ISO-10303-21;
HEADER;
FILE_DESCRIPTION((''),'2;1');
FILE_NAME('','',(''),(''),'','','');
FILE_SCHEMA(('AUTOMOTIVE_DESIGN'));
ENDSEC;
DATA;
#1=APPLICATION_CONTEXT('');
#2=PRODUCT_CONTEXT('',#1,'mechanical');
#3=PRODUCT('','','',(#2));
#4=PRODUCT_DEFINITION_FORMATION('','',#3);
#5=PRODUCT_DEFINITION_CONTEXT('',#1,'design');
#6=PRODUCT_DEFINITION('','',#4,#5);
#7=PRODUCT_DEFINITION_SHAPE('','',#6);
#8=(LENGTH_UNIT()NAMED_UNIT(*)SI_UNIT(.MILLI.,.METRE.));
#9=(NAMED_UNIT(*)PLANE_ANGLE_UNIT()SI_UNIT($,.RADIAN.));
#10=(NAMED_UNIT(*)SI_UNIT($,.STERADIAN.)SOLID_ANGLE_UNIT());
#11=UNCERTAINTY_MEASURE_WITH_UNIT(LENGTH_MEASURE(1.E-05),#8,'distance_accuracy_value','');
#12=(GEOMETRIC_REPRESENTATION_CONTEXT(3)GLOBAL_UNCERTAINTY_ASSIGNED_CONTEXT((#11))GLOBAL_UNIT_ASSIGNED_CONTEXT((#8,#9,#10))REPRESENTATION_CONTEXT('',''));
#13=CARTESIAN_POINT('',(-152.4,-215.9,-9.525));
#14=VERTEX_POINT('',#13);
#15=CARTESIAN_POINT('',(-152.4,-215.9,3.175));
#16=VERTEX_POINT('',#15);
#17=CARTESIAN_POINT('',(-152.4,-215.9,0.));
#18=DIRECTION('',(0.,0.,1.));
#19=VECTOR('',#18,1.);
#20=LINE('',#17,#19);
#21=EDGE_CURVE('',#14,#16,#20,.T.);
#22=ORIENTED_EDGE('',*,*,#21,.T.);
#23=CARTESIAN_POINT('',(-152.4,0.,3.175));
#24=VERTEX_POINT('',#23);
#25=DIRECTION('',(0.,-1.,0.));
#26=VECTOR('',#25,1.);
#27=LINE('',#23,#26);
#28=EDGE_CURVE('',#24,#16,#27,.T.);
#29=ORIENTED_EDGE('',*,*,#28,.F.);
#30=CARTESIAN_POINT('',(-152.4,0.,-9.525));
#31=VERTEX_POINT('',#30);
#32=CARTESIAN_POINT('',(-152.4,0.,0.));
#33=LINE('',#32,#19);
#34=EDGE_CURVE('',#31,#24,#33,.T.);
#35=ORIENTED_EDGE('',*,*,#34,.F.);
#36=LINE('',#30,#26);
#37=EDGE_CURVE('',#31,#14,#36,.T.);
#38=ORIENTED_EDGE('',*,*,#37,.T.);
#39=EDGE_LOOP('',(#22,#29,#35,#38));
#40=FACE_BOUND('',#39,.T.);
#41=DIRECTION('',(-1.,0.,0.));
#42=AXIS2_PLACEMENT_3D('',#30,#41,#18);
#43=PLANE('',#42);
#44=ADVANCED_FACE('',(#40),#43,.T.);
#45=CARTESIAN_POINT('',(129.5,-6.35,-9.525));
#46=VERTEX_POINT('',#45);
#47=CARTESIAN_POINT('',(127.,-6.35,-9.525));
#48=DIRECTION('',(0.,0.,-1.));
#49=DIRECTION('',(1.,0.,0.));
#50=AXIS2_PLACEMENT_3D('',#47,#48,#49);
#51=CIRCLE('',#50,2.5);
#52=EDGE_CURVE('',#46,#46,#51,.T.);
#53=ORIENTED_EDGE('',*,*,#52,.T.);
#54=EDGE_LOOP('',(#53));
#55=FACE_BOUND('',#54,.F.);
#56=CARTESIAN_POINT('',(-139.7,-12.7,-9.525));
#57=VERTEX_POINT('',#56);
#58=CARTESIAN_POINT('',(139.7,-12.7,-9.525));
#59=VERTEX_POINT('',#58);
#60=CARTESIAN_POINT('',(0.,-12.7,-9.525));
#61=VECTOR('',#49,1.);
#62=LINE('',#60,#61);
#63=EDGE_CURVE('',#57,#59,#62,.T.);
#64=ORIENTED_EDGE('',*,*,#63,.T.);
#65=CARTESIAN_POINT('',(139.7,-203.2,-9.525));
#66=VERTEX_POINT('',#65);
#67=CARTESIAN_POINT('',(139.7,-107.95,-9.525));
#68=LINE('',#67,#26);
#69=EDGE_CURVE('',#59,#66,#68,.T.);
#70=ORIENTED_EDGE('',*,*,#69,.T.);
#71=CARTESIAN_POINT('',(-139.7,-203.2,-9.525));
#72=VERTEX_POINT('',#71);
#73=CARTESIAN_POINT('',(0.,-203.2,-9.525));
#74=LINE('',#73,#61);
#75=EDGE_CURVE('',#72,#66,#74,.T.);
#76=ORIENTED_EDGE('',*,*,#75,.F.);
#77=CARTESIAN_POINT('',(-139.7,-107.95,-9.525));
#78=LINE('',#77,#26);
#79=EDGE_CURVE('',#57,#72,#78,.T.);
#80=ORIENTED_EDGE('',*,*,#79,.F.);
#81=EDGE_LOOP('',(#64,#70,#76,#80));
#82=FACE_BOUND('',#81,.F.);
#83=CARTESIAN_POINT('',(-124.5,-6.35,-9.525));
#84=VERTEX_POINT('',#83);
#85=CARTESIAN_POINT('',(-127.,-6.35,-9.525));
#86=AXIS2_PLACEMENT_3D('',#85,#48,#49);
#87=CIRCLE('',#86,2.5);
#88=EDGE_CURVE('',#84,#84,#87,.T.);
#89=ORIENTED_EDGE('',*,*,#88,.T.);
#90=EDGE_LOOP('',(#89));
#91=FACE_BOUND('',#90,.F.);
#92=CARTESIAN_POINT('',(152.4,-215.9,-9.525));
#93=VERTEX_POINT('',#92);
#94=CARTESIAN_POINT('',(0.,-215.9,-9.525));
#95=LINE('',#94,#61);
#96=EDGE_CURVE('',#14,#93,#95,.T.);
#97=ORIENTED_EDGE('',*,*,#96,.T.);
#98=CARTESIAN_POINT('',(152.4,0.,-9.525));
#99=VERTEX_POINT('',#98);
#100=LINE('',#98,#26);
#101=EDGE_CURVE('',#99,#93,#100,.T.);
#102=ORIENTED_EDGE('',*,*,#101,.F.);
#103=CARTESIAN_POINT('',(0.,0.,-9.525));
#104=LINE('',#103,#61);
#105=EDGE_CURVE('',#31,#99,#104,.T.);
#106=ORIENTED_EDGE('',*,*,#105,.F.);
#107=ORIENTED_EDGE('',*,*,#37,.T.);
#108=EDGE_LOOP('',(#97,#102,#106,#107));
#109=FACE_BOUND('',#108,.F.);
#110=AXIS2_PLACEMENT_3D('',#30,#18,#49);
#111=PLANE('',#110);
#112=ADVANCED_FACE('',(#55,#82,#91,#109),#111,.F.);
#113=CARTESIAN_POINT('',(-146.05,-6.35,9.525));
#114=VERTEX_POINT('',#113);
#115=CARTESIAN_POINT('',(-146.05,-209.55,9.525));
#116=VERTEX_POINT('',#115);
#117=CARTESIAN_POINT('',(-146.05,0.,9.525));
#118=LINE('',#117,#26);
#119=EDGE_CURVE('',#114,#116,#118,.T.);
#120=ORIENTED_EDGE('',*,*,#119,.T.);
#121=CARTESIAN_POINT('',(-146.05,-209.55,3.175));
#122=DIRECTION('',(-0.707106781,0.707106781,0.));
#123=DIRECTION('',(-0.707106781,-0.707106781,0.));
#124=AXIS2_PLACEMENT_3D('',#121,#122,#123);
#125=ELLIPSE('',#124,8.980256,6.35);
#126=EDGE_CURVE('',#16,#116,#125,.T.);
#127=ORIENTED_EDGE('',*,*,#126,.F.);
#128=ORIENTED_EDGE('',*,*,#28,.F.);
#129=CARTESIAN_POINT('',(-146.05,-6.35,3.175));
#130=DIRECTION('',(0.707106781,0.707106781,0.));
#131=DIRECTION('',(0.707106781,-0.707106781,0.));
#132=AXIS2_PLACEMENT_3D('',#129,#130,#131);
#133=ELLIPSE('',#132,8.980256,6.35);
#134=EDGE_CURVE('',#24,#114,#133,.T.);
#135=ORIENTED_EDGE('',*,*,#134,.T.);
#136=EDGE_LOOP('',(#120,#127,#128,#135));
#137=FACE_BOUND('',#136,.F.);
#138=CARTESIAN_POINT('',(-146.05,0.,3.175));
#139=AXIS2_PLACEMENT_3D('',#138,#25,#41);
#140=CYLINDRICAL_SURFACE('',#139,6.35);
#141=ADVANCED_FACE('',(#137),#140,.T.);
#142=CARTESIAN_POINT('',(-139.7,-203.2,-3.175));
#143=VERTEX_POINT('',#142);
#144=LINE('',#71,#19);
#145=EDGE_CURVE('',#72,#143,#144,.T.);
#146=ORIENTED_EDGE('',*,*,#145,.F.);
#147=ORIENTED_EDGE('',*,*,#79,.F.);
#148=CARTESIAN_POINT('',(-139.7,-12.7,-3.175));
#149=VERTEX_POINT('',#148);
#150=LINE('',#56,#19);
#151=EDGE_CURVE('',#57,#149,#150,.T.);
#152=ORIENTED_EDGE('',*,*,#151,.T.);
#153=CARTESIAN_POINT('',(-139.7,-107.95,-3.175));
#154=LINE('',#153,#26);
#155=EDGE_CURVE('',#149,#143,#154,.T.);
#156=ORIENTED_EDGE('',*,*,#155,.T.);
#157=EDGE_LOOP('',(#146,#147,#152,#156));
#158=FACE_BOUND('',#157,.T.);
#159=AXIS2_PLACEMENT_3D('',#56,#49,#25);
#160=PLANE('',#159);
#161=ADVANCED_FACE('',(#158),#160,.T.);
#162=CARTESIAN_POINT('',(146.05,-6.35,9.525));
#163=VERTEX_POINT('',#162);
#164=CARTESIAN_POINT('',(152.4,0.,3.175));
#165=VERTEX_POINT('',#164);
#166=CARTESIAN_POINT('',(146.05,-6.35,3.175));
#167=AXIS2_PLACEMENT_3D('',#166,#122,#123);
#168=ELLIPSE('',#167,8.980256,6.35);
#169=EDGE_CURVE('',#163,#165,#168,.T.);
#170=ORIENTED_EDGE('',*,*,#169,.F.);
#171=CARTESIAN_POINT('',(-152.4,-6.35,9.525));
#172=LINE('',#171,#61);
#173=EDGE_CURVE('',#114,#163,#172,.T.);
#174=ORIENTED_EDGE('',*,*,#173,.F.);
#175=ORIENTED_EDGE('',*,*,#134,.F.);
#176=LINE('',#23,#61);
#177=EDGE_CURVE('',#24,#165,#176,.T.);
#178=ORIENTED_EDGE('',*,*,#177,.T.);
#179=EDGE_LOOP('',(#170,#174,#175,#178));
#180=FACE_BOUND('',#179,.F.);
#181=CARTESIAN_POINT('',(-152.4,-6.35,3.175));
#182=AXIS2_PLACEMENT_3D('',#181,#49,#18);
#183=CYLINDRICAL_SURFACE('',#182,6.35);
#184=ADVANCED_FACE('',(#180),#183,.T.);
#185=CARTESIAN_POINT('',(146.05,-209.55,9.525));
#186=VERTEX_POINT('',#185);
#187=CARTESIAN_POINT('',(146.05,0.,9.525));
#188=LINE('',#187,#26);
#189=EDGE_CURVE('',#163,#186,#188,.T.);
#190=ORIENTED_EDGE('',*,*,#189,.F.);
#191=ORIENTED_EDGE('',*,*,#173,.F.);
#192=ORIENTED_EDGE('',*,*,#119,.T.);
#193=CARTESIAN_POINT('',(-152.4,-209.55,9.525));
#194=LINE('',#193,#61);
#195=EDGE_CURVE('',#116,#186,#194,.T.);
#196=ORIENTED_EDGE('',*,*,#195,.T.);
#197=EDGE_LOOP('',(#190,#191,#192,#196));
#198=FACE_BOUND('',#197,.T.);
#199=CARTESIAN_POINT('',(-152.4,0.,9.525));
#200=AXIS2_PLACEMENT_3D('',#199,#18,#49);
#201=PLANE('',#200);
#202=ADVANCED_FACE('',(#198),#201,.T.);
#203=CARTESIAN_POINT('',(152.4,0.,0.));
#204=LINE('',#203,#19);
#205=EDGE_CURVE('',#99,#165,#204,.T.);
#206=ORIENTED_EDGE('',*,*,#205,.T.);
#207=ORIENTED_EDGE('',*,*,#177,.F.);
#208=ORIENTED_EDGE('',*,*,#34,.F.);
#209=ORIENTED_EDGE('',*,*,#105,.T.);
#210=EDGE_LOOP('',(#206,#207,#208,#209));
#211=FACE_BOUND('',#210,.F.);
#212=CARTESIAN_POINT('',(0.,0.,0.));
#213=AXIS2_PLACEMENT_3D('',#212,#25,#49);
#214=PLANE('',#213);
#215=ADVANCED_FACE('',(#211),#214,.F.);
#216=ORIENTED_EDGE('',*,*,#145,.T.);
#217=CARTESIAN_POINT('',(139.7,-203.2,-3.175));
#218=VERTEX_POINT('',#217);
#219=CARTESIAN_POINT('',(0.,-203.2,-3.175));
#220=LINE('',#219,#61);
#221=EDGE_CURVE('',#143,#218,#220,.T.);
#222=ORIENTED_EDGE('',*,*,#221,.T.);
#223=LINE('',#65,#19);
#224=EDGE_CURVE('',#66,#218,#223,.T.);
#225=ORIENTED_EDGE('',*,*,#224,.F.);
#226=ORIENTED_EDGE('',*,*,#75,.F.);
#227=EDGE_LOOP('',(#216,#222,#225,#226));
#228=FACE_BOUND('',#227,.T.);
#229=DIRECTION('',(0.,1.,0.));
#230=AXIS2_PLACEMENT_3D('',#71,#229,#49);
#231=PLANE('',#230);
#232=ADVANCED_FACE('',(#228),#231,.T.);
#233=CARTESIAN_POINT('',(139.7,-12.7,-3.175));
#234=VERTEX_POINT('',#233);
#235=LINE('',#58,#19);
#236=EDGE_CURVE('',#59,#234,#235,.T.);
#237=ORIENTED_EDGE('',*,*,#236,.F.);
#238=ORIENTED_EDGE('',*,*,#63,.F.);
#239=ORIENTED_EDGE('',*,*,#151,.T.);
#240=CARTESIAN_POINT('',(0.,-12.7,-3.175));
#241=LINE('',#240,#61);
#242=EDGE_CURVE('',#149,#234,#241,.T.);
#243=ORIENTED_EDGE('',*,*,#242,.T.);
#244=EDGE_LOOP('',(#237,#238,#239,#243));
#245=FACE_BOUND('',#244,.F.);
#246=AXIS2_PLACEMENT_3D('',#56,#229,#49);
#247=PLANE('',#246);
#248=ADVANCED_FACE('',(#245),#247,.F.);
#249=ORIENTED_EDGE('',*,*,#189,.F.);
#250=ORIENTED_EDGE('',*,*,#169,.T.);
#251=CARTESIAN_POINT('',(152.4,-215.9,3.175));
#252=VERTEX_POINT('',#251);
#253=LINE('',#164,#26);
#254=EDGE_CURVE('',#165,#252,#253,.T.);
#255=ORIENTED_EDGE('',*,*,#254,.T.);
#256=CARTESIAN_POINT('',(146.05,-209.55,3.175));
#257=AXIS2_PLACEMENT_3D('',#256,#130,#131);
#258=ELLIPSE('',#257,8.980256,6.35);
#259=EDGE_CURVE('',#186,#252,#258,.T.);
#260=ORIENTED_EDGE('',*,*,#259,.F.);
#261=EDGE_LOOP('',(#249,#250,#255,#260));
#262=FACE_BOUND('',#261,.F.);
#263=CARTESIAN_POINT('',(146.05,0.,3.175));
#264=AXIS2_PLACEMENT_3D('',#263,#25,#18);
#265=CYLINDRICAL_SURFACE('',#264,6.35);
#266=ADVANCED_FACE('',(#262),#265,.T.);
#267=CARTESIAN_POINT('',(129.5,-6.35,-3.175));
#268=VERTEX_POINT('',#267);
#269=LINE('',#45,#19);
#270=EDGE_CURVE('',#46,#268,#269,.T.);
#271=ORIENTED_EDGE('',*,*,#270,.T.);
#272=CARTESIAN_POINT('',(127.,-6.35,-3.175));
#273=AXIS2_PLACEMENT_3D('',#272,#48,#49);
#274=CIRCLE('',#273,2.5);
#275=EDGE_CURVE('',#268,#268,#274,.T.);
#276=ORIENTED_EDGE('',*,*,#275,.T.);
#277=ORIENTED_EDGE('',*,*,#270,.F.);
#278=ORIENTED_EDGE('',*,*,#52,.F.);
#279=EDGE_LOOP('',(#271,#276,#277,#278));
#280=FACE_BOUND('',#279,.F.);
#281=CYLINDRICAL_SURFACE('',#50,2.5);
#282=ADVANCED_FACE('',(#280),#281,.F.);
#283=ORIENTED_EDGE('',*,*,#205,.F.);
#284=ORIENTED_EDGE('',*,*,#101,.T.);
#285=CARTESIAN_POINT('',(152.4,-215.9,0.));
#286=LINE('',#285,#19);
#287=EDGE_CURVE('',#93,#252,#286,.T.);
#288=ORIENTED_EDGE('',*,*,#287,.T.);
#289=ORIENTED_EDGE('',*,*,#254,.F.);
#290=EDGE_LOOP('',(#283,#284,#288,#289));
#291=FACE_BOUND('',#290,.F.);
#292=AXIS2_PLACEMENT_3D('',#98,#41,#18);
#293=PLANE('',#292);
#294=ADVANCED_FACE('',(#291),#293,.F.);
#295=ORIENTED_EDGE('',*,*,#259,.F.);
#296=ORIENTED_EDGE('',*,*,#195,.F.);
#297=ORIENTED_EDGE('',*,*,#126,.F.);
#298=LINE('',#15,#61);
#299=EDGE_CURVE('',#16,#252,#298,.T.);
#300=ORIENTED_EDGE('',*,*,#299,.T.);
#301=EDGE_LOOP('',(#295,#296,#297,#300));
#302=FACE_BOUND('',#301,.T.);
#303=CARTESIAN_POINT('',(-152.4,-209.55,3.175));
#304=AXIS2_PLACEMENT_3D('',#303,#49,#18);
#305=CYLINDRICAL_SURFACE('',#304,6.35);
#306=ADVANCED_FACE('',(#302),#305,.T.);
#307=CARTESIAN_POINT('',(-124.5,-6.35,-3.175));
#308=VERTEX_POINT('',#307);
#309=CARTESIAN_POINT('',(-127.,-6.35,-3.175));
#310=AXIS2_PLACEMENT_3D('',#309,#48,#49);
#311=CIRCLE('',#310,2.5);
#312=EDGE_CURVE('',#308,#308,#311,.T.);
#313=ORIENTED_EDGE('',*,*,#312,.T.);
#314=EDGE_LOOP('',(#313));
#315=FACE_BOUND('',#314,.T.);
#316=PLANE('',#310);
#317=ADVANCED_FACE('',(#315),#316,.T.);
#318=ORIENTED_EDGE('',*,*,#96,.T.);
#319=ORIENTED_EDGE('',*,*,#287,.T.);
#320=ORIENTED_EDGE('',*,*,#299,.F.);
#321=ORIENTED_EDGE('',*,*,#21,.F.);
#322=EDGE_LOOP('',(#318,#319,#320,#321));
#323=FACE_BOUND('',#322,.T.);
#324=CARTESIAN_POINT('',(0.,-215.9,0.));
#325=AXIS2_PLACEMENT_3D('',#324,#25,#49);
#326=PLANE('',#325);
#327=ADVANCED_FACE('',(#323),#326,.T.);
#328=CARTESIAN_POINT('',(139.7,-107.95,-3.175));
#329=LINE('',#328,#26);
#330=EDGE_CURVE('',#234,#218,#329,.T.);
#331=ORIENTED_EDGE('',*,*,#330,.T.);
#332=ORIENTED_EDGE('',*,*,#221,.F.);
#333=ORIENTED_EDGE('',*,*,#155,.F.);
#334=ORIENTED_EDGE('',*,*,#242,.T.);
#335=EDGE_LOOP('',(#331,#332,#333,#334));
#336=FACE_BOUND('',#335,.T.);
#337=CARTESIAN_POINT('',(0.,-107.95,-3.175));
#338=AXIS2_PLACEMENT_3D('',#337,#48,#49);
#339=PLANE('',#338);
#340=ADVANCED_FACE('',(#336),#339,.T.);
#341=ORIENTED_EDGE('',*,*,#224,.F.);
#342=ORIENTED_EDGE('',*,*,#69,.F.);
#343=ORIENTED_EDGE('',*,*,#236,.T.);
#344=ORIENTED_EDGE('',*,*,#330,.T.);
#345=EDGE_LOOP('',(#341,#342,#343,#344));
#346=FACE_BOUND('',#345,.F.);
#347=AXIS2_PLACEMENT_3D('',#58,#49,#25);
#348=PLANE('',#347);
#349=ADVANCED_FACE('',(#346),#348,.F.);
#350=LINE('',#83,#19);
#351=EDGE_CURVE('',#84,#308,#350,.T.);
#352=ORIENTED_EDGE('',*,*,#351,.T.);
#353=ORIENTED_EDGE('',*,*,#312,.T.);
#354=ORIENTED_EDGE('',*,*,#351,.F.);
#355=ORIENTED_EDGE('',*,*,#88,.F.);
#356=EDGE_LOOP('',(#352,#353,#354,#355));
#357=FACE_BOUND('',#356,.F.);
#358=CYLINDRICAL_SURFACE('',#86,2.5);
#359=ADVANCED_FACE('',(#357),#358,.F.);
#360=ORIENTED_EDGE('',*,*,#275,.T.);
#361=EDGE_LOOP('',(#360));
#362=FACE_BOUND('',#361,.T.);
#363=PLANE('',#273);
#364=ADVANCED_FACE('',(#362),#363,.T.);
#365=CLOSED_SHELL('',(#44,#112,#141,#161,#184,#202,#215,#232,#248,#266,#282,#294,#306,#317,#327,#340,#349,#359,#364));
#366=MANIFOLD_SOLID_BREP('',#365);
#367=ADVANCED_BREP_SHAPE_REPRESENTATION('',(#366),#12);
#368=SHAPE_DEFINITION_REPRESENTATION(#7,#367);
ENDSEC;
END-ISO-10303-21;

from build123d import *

# Parameters (mm, degrees)
F0_W     = 304.8
F0_H     = 19.05
F1_DEPTH = 215.9
F2_W     = 279.4
F2_H     = 190.5
F3_DEPTH = 6.35
F4_R     = 6.35
F5_R     = 2.5
F6_DEPTH = 6.35


with BuildPart() as f1:
    # F0 (on Front) → F1 (new body)
    with BuildSketch(Plane.XZ):
        Rectangle(F0_W, F0_H)
    extrude(amount=F1_DEPTH)

    # F2 (on face) → F3 (cut)
    with BuildSketch(Plane(origin=(0, 0, -9.525), x_dir=(1, 0, 0), z_dir=(0, 0, -1))):
        with Locations((0, 107.95)):
            Rectangle(F2_W, F2_H)
    extrude(amount=-F3_DEPTH, mode=Mode.SUBTRACT)

    # F4
    f4_edges = [f1.edges().sort_by_distance(p)[0] for p in [
        (-152.4, -107.95, 9.525),
        (0, -215.9, 9.525),
        (152.4, -107.95, 9.525),
        (0, 0, 9.525),
    ]]
    fillet(f4_edges, radius=F4_R)

    # F5 (on face) → F6 (cut)
    with BuildSketch(Plane(origin=(0, 0, -9.525), x_dir=(1, 0, 0), z_dir=(0, 0, -1))):
        with Locations((127, 6.35)):
            Circle(F5_R)
        with Locations((-127, 6.35)):
            Circle(F5_R)
    extrude(amount=-F6_DEPTH, mode=Mode.SUBTRACT)


solid = f1.part
